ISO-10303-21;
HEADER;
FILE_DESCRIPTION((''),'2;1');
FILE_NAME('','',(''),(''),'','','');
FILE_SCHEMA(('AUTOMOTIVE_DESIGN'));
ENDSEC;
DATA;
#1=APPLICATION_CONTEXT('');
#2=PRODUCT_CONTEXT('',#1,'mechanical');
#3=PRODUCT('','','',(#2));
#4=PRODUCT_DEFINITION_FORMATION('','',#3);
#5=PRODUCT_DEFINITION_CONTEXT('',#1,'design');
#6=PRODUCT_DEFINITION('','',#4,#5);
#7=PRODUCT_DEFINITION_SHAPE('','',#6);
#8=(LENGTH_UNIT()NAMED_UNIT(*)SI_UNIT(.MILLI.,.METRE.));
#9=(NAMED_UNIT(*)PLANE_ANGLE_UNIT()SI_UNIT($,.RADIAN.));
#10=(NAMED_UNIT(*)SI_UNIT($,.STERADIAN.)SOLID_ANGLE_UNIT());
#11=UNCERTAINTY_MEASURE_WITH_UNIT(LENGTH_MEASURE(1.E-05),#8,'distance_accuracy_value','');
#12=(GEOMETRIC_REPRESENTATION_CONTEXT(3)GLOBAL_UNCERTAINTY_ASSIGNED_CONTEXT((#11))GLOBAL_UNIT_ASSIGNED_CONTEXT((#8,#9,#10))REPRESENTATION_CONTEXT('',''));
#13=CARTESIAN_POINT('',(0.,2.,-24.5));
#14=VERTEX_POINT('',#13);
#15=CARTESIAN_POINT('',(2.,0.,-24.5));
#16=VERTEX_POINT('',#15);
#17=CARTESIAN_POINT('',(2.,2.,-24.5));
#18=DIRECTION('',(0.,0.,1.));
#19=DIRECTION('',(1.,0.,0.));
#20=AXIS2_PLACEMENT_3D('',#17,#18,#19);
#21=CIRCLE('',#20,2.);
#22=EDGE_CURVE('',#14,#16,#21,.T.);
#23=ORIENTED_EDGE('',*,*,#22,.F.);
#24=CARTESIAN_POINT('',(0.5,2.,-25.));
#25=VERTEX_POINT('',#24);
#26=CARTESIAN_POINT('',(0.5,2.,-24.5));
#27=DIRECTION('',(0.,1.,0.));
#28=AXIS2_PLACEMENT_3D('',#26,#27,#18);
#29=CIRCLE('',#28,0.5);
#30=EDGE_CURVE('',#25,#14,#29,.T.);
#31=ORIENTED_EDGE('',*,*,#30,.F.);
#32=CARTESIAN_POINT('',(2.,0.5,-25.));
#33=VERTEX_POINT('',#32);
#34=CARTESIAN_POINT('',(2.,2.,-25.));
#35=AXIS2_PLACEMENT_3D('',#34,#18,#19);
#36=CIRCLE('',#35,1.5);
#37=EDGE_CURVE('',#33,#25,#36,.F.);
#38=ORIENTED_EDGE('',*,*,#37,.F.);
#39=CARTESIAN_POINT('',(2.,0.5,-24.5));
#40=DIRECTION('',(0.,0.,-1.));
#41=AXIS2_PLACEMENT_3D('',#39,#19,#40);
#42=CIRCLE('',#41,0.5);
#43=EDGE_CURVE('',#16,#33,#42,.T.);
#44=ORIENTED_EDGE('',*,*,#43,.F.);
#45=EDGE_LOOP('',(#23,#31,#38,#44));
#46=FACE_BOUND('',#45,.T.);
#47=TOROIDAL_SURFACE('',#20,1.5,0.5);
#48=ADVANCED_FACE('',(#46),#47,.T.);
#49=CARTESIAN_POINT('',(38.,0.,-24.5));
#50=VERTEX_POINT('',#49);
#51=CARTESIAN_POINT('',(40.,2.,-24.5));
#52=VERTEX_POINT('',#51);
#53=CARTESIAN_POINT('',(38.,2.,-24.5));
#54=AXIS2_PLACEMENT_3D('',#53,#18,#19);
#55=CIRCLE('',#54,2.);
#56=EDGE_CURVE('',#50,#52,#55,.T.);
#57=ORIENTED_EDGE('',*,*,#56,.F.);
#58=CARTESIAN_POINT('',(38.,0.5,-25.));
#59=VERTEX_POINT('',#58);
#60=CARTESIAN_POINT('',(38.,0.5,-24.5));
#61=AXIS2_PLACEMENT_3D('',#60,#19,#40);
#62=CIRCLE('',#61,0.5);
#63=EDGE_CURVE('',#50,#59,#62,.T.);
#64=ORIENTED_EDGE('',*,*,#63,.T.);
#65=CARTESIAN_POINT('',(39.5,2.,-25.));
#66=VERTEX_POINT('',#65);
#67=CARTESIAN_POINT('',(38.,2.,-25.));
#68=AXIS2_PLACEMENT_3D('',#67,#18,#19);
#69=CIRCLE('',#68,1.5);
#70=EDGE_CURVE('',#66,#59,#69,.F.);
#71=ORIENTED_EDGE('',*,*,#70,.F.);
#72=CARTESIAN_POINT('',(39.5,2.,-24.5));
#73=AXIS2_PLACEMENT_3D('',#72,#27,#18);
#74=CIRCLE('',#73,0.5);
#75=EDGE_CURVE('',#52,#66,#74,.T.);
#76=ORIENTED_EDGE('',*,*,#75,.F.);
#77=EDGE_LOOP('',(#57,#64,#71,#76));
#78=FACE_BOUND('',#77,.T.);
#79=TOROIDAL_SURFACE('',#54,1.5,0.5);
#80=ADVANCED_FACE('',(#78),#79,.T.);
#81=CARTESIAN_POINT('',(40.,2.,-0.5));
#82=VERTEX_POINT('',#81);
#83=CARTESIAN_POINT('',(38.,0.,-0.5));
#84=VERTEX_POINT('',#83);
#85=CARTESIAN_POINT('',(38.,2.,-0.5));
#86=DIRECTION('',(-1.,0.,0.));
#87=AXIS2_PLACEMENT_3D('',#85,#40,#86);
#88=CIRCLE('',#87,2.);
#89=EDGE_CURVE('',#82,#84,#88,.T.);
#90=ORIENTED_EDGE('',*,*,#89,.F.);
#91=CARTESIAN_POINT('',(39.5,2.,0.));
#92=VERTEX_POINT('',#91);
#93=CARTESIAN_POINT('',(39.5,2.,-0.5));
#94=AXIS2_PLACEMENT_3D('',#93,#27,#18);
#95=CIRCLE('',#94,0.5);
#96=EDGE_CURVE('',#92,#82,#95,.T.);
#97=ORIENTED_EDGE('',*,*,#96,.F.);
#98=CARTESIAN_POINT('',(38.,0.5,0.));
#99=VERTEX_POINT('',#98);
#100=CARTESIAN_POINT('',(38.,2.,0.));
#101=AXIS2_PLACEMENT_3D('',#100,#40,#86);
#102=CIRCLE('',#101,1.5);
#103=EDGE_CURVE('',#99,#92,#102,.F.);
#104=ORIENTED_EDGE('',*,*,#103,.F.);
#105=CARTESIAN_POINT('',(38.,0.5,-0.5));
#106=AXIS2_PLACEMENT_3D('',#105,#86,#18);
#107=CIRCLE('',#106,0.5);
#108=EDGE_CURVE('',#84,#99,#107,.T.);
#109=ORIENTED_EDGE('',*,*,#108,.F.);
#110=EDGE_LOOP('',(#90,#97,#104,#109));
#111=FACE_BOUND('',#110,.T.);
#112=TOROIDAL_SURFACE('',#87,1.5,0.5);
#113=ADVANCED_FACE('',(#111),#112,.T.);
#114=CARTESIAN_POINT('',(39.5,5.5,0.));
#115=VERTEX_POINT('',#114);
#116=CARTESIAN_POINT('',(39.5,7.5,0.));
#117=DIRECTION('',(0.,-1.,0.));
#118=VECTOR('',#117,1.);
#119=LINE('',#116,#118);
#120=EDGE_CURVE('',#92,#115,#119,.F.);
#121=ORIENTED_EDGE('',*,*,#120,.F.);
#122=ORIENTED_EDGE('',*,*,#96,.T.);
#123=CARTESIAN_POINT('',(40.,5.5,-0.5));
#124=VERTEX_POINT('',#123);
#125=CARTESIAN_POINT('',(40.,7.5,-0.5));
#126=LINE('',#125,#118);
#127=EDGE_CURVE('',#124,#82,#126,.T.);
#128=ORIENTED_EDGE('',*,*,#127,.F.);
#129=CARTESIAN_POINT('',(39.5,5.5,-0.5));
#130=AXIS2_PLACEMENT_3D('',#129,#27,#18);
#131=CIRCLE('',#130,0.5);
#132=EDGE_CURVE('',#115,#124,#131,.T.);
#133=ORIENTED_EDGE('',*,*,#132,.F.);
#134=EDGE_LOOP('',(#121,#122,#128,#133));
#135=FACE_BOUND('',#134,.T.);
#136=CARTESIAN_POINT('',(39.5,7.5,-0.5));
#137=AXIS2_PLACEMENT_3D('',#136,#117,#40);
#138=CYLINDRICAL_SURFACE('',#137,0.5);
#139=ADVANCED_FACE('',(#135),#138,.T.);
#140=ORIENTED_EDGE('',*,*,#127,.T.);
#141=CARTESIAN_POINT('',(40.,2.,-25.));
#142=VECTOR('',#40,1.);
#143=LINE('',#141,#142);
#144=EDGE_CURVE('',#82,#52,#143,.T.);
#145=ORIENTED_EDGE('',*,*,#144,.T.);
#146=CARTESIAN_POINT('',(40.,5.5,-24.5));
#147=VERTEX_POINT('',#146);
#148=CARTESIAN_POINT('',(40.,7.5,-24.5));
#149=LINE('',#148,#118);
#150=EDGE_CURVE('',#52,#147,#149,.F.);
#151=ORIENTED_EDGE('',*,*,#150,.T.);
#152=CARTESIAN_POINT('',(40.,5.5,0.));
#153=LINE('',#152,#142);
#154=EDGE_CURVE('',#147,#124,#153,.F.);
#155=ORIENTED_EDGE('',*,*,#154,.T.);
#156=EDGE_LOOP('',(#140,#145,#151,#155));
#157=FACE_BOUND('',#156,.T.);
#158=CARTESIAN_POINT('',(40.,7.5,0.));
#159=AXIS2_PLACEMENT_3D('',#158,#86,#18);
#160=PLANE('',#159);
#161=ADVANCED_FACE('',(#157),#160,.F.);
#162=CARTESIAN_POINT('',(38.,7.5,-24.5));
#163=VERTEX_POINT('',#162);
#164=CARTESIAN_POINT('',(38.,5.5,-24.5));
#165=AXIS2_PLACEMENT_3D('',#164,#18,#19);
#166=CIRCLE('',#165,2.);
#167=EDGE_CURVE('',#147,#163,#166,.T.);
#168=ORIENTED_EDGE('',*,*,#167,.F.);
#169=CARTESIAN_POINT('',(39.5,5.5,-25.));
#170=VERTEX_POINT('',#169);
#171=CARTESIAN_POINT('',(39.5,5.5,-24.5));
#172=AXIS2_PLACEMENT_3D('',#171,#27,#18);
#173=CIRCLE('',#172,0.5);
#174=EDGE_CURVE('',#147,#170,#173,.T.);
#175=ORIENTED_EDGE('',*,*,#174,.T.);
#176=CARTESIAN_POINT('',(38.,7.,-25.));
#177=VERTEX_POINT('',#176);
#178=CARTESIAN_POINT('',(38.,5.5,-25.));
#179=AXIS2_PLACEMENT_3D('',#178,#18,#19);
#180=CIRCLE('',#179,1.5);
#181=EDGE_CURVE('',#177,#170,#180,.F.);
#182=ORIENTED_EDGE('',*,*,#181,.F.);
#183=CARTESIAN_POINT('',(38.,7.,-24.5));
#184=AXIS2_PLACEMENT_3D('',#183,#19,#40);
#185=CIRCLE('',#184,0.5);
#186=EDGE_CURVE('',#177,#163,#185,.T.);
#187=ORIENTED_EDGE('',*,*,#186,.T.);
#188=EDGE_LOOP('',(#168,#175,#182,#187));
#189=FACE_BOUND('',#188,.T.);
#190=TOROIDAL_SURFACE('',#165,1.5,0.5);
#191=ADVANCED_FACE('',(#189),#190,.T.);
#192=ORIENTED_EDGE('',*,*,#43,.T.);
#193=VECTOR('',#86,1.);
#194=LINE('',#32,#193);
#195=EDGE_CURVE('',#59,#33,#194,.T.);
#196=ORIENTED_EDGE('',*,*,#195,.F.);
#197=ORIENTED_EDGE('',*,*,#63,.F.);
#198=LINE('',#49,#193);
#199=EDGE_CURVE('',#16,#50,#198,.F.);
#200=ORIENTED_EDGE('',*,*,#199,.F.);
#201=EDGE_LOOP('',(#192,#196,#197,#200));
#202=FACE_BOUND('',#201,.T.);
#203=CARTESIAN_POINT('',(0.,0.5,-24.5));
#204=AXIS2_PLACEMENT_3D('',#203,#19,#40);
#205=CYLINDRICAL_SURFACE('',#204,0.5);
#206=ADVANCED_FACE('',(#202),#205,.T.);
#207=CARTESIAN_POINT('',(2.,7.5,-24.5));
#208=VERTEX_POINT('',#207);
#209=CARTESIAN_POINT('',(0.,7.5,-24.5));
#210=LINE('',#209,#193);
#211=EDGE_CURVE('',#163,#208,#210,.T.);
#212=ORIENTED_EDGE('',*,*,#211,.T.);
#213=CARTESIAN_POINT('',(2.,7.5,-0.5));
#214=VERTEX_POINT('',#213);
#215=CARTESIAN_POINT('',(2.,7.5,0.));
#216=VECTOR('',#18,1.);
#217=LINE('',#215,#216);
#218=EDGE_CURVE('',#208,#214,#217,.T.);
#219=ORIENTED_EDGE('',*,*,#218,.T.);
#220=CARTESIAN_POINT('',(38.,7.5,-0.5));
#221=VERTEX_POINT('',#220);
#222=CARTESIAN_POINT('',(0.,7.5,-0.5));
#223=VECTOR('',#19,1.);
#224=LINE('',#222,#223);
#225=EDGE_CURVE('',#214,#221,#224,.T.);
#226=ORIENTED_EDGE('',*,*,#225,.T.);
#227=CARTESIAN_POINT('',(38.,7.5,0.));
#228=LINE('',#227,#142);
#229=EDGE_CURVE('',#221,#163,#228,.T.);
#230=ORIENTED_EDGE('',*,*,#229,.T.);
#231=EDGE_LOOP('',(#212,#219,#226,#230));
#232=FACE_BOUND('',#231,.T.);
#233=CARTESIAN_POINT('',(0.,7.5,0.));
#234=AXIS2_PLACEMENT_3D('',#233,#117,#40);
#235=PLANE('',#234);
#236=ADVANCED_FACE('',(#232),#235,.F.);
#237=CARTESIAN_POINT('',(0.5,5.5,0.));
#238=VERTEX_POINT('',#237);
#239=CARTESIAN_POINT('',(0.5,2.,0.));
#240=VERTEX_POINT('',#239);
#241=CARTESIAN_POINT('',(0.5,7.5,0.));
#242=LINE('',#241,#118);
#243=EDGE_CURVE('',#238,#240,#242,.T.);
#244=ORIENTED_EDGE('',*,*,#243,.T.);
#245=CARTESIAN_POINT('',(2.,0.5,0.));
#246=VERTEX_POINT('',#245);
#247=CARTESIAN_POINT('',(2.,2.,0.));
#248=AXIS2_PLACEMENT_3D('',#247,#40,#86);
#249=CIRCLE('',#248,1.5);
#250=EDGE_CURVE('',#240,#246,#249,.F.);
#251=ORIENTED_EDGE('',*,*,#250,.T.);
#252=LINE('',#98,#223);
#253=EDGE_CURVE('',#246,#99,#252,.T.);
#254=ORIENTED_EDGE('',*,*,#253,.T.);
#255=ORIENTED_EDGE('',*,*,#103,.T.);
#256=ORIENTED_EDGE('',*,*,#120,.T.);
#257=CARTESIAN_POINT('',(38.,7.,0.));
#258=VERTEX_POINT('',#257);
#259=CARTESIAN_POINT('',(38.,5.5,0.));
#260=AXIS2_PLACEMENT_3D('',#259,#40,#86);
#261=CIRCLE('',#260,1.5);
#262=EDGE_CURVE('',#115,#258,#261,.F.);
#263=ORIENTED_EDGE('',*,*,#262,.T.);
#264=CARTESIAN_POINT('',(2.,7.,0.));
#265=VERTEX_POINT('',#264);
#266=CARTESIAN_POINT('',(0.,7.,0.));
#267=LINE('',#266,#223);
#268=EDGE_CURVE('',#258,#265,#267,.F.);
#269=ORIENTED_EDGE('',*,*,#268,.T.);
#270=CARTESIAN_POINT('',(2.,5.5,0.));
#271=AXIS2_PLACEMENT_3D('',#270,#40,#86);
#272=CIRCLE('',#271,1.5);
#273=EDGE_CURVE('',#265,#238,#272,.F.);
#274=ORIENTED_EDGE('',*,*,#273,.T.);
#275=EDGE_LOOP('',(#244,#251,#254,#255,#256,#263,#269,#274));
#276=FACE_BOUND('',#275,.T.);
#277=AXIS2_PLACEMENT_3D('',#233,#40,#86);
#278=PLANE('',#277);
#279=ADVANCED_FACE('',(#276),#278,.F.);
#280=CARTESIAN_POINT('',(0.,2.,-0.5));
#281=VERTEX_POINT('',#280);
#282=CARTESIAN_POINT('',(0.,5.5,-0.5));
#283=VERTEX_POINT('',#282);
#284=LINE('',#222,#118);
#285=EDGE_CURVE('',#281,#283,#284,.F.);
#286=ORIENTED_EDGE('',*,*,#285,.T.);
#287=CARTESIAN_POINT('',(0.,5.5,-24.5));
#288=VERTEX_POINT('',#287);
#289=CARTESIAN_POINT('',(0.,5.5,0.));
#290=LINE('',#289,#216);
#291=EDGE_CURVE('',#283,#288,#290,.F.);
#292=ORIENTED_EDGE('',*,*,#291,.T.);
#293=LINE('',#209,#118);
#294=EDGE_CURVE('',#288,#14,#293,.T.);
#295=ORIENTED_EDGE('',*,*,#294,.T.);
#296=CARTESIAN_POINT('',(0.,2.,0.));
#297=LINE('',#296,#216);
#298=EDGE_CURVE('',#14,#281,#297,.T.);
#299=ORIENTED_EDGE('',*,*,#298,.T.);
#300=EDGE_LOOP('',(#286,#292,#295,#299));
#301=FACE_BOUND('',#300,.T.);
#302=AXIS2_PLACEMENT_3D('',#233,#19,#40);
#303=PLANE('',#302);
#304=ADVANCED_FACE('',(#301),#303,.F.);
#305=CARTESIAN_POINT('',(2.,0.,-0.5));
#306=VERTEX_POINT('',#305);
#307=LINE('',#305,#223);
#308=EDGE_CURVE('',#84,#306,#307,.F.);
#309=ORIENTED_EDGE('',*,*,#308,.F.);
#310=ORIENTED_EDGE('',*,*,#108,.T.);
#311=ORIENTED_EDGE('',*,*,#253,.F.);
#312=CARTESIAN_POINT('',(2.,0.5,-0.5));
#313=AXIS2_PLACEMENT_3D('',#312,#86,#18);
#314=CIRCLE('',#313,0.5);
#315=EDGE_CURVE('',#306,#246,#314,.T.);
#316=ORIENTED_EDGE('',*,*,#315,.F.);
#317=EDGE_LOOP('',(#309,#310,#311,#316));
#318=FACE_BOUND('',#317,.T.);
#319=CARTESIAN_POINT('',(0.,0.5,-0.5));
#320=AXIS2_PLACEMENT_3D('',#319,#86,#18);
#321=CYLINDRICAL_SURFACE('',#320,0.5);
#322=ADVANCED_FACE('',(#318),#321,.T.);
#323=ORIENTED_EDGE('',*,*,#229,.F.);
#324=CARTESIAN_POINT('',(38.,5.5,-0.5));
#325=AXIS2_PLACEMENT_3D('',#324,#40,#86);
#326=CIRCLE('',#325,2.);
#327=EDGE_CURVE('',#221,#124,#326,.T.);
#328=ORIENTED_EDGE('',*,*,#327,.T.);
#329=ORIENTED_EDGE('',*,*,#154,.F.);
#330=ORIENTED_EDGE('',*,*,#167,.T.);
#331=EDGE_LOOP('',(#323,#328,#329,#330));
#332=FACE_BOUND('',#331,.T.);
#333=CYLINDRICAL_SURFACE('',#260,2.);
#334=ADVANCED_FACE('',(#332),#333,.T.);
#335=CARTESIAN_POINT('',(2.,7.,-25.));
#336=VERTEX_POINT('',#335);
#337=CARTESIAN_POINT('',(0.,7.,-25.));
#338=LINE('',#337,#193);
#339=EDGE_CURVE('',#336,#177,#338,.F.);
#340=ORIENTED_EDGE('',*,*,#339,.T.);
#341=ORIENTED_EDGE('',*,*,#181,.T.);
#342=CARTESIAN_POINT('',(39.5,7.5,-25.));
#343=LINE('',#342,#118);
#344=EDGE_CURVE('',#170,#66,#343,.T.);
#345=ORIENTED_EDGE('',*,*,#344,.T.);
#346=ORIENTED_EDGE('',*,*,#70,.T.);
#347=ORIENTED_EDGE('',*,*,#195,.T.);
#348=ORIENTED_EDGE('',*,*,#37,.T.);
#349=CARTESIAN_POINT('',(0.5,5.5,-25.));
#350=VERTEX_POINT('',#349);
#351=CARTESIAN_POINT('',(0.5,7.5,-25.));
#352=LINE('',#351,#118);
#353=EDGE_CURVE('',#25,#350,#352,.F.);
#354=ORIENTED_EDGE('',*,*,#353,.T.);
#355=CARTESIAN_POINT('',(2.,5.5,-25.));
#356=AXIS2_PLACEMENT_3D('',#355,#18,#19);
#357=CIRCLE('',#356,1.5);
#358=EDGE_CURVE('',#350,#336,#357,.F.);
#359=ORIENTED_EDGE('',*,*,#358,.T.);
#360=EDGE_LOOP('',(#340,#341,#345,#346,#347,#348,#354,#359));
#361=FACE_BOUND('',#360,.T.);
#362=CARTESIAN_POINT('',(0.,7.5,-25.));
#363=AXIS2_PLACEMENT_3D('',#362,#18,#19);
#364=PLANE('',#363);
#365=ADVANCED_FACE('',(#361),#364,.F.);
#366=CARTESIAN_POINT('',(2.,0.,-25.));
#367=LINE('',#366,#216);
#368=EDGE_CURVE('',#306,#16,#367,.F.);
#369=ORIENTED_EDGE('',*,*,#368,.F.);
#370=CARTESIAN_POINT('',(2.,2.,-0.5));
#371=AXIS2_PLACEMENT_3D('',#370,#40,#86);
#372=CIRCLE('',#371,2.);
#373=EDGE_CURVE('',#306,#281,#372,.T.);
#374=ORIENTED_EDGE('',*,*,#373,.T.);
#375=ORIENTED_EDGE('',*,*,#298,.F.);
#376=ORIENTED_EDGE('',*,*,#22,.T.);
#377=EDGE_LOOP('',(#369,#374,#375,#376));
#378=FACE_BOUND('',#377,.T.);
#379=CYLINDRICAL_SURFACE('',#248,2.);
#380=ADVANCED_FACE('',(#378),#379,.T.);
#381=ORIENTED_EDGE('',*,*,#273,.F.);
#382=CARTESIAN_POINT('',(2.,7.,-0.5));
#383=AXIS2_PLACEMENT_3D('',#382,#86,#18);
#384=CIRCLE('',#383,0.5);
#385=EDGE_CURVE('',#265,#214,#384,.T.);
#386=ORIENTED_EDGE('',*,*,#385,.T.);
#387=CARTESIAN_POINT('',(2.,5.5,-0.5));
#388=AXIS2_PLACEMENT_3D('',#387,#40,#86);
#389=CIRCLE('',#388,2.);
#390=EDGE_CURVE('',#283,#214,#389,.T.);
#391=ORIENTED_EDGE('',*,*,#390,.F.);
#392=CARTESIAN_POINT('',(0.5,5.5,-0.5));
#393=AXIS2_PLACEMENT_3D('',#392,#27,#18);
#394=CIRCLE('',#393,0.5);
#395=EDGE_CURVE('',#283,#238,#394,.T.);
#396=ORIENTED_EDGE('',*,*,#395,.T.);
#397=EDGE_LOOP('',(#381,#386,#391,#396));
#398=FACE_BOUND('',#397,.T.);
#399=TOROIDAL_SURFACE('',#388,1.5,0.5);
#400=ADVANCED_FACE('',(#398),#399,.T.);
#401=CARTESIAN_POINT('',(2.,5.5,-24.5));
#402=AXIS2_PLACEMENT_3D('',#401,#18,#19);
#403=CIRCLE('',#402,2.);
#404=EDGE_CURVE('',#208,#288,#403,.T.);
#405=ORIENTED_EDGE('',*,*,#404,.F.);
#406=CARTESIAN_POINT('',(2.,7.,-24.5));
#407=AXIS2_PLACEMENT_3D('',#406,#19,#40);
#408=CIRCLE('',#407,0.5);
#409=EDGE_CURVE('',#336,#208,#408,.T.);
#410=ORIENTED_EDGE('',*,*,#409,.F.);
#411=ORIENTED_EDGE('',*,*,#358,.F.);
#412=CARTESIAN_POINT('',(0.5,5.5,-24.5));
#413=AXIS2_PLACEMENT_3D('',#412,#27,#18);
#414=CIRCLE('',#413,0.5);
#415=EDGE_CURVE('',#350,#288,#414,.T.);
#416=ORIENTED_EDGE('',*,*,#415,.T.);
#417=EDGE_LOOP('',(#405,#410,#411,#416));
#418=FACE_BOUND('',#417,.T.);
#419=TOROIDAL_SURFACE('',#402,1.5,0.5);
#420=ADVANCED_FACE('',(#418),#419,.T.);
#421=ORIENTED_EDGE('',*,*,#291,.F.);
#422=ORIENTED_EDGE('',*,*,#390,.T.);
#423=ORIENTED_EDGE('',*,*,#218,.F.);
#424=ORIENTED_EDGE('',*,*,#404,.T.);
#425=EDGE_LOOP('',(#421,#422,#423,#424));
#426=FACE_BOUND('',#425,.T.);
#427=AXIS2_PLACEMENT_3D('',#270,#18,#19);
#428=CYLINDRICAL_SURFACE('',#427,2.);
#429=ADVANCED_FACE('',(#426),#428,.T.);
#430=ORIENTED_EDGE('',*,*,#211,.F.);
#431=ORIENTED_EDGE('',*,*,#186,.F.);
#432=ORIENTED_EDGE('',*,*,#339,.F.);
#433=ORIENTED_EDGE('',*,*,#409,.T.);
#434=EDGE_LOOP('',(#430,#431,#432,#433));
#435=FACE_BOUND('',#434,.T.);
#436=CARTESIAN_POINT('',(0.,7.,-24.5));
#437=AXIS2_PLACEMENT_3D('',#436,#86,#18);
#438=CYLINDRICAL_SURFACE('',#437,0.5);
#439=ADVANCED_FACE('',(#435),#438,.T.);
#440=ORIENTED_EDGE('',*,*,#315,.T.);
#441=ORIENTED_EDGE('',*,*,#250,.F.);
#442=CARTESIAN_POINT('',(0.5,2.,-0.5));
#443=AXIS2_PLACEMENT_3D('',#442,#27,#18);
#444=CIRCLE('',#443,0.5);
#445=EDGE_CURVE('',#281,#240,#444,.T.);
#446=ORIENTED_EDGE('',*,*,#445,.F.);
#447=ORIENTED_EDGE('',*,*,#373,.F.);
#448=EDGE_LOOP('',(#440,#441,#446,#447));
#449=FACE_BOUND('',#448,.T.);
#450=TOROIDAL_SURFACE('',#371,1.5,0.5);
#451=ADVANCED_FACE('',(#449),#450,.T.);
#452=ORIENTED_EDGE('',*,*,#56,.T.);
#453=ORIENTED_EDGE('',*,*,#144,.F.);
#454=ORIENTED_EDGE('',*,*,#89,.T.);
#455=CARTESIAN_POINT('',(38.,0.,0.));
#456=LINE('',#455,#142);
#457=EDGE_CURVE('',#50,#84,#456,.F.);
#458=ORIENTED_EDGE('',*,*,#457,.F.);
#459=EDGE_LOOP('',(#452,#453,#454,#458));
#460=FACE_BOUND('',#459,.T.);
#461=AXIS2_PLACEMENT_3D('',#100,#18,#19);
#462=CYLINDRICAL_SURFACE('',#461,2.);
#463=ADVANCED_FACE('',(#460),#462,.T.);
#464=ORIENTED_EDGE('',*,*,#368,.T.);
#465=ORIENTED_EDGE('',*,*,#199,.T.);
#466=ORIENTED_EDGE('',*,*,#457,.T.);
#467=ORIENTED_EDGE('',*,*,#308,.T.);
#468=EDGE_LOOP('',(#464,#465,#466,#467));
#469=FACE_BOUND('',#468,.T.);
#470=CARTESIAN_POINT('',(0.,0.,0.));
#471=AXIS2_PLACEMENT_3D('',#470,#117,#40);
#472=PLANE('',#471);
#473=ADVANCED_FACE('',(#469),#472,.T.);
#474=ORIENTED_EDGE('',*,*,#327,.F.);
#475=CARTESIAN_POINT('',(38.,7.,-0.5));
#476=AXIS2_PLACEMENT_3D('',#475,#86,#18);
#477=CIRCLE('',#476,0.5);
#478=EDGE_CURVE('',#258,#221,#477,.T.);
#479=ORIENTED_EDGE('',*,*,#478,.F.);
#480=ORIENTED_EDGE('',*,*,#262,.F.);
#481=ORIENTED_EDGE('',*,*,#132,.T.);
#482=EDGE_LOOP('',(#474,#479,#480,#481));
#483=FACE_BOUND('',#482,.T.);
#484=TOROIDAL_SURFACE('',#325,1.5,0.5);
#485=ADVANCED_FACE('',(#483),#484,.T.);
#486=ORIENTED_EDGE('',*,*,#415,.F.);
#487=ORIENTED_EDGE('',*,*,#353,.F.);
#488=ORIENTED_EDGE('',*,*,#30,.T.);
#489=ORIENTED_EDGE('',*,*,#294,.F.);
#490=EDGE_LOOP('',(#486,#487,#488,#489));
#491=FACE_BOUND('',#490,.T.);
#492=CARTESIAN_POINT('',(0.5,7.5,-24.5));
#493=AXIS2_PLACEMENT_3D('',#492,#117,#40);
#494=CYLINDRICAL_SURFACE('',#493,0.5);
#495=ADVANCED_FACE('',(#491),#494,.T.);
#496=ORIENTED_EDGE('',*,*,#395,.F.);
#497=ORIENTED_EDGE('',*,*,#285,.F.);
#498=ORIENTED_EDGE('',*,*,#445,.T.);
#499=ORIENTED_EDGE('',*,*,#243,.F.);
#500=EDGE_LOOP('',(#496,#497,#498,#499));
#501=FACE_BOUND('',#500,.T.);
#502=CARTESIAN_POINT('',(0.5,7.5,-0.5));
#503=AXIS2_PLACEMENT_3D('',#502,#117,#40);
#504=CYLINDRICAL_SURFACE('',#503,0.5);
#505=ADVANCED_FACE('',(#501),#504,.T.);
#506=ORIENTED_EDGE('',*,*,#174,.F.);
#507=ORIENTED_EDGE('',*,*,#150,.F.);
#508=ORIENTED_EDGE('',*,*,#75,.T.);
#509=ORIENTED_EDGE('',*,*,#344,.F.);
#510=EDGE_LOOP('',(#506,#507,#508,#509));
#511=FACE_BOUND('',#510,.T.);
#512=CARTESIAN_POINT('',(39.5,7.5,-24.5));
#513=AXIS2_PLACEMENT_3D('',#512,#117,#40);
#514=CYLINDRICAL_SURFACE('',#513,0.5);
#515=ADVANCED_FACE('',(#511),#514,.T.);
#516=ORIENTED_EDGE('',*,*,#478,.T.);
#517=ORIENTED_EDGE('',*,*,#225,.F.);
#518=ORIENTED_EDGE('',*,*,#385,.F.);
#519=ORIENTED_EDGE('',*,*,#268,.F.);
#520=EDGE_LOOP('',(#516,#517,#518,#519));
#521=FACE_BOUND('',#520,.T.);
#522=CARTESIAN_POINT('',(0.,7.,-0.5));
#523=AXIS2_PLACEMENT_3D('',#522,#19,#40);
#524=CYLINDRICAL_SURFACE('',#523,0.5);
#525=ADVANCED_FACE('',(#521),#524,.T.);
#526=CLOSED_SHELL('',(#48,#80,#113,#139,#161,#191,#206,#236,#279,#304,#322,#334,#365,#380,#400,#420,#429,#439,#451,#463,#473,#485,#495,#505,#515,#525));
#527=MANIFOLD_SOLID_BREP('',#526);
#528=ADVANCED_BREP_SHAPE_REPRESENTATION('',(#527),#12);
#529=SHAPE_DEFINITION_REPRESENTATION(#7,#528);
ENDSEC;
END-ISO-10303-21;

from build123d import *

# Parameters (mm, degrees)
SKETCH1_W           = 40
SKETCH1_H           = 25
BOSS_EXTRUDE1_DEPTH = 7.5
FILLET2_R           = 2
FILLET3_R           = 2
FILLET4_R           = 2
FILLET5_R           = 0.5
FILLET6_R           = 0.5


with BuildPart() as part:
    # Sketch1 → Boss-Extrude1 (new body)
    with BuildSketch(Plane(origin=(0, 0, 0), x_dir=(1, 0, 0), z_dir=(0, 1, 0))):
        with Locations((20, 12.5)):
            Rectangle(SKETCH1_W, SKETCH1_H)
    extrude(amount=BOSS_EXTRUDE1_DEPTH)

    # Fillet2
    fillet2_edges = [part.edges().sort_by_distance(p)[0] for p in [
        (40, 7.5, -12.5),
    ]]
    fillet(fillet2_edges, radius=FILLET2_R)

    # Fillet3
    fillet3_edges = [part.edges().sort_by_distance(p)[0] for p in [
        (40, 0, -12.5),
    ]]
    fillet(fillet3_edges, radius=FILLET3_R)

    # Fillet4
    fillet4_edges = [part.edges().sort_by_distance(p)[0] for p in [
        (0, 7.5, -12.5),
        (0, 0, -12.5),
    ]]
    fillet(fillet4_edges, radius=FILLET4_R)

    # Fillet5
    fillet5_edges = [part.edges().sort_by_distance(p)[0] for p in [
        (40, 3.75, 0),
        (39.414213562, 6.914213562, 0),
        (39.414213562, 0.585786438, 0),
        (0, 3.75, 0),
        (20, 0, 0),
        (20, 7.5, 0),
        (0.585786438, 6.914213562, 0),
        (0.585786438, 0.585786438, 0),
    ]]
    fillet(fillet5_edges, radius=FILLET5_R)

    # Fillet6
    fillet6_edges = [part.edges().sort_by_distance(p)[0] for p in [
        (20, 7.5, -25),
        (40, 3.75, -25),
        (39.414213562, 6.914213562, -25),
        (20, 0, -25),
        (39.414213562, 0.585786438, -25),
        (0, 3.75, -25),
        (0.585786438, 6.914213562, -25),
        (0.585786438, 0.585786438, -25),
    ]]
    fillet(fillet6_edges, radius=FILLET6_R)


solid = part.part
